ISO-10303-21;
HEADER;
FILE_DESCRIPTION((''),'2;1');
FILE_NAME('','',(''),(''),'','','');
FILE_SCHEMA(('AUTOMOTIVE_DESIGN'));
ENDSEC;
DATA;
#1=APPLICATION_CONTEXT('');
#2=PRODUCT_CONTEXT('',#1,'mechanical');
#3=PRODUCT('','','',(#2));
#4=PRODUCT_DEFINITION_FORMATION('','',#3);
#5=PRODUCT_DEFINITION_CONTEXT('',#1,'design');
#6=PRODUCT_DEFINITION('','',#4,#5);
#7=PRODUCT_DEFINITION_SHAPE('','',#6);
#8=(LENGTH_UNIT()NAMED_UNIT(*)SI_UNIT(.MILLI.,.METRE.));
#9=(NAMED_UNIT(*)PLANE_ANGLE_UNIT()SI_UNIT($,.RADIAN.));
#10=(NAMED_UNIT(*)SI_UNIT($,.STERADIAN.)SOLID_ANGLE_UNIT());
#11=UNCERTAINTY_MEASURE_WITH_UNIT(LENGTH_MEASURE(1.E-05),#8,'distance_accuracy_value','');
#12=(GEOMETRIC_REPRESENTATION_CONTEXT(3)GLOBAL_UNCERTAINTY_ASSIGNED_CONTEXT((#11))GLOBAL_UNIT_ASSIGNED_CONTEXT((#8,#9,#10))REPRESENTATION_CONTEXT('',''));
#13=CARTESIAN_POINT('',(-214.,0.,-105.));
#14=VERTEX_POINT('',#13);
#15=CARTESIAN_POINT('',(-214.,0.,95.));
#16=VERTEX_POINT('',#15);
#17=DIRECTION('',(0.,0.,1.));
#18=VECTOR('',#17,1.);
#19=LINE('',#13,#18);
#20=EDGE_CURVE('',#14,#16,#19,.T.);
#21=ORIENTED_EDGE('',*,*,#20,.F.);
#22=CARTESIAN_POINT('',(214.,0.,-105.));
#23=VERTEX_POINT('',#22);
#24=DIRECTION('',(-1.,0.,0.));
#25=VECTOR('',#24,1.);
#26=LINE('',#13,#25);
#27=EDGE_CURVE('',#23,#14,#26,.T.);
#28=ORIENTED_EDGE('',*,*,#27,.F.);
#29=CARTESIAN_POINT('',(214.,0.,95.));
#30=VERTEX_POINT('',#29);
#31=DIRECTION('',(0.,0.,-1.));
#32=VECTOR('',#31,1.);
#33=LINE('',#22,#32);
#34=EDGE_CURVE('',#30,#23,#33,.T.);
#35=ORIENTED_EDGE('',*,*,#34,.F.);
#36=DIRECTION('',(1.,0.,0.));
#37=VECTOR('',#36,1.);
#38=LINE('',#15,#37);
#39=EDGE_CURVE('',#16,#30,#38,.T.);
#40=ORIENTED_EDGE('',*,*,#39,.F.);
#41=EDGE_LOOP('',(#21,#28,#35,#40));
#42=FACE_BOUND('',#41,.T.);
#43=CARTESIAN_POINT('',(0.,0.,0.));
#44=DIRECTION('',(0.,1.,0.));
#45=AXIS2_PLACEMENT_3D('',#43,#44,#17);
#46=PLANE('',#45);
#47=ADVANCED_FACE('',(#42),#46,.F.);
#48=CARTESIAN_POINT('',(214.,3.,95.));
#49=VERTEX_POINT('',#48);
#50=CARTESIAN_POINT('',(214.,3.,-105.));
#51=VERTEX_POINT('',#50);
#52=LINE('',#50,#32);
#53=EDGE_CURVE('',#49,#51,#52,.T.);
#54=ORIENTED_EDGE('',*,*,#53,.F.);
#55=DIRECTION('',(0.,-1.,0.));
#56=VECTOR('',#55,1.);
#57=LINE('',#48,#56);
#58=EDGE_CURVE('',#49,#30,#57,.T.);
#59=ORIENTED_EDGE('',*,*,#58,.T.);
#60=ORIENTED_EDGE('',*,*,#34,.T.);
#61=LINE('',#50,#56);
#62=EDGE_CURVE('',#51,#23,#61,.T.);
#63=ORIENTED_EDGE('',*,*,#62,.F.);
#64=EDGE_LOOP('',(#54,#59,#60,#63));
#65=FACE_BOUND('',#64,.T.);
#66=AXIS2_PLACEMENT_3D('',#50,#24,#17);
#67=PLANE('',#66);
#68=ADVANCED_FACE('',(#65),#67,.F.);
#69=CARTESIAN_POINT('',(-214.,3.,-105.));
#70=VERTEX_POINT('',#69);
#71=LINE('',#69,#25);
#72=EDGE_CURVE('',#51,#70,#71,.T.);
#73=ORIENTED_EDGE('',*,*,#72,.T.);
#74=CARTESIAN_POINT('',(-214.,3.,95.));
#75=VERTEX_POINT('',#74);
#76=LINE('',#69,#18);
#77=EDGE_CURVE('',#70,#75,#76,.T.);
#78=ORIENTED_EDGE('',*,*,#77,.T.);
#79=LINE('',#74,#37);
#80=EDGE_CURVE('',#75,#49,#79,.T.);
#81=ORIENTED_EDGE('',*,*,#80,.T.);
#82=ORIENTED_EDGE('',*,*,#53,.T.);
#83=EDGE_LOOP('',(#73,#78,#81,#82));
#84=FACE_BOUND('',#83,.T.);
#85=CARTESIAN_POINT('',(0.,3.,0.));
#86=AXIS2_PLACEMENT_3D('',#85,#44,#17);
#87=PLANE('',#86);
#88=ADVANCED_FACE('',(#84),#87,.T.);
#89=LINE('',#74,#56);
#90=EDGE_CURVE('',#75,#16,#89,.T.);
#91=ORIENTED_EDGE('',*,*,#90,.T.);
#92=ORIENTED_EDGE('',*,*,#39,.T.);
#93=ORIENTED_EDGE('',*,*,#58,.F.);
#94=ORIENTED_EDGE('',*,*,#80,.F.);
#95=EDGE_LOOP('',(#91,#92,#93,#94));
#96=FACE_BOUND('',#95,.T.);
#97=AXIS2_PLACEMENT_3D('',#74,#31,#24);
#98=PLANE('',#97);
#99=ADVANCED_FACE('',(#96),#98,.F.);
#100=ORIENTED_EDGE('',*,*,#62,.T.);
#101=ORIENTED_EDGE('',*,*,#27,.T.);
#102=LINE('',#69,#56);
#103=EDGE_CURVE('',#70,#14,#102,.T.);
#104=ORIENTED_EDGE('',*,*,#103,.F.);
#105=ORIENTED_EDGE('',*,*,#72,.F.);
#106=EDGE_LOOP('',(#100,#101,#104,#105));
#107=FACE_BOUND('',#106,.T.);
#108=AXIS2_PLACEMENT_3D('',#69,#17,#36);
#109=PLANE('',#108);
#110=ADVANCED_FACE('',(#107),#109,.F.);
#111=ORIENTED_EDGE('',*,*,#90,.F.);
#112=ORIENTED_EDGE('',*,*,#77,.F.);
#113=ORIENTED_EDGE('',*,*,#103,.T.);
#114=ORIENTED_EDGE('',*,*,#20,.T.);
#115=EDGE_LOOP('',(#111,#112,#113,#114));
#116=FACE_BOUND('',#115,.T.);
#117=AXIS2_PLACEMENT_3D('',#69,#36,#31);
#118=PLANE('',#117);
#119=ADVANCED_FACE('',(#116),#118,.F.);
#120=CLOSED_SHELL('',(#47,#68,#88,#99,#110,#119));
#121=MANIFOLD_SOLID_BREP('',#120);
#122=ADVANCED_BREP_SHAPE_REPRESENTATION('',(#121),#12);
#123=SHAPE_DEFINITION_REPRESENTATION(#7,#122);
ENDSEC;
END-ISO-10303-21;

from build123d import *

# Parameters (mm, degrees)
ESQUISSE1_W        = 428
ESQUISSE1_H        = 200
BOSS_EXTRU_1_DEPTH = 3


with BuildPart() as part:
    # Esquisse1 → Boss.-Extru.1 (new body)
    with BuildSketch(Plane(origin=(0, 0, 0), x_dir=(1, 0, 0), z_dir=(0, 1, 0))):
        with Locations((0, 5)):
            Rectangle(ESQUISSE1_W, ESQUISSE1_H)
    extrude(amount=BOSS_EXTRU_1_DEPTH)


solid = part.part
